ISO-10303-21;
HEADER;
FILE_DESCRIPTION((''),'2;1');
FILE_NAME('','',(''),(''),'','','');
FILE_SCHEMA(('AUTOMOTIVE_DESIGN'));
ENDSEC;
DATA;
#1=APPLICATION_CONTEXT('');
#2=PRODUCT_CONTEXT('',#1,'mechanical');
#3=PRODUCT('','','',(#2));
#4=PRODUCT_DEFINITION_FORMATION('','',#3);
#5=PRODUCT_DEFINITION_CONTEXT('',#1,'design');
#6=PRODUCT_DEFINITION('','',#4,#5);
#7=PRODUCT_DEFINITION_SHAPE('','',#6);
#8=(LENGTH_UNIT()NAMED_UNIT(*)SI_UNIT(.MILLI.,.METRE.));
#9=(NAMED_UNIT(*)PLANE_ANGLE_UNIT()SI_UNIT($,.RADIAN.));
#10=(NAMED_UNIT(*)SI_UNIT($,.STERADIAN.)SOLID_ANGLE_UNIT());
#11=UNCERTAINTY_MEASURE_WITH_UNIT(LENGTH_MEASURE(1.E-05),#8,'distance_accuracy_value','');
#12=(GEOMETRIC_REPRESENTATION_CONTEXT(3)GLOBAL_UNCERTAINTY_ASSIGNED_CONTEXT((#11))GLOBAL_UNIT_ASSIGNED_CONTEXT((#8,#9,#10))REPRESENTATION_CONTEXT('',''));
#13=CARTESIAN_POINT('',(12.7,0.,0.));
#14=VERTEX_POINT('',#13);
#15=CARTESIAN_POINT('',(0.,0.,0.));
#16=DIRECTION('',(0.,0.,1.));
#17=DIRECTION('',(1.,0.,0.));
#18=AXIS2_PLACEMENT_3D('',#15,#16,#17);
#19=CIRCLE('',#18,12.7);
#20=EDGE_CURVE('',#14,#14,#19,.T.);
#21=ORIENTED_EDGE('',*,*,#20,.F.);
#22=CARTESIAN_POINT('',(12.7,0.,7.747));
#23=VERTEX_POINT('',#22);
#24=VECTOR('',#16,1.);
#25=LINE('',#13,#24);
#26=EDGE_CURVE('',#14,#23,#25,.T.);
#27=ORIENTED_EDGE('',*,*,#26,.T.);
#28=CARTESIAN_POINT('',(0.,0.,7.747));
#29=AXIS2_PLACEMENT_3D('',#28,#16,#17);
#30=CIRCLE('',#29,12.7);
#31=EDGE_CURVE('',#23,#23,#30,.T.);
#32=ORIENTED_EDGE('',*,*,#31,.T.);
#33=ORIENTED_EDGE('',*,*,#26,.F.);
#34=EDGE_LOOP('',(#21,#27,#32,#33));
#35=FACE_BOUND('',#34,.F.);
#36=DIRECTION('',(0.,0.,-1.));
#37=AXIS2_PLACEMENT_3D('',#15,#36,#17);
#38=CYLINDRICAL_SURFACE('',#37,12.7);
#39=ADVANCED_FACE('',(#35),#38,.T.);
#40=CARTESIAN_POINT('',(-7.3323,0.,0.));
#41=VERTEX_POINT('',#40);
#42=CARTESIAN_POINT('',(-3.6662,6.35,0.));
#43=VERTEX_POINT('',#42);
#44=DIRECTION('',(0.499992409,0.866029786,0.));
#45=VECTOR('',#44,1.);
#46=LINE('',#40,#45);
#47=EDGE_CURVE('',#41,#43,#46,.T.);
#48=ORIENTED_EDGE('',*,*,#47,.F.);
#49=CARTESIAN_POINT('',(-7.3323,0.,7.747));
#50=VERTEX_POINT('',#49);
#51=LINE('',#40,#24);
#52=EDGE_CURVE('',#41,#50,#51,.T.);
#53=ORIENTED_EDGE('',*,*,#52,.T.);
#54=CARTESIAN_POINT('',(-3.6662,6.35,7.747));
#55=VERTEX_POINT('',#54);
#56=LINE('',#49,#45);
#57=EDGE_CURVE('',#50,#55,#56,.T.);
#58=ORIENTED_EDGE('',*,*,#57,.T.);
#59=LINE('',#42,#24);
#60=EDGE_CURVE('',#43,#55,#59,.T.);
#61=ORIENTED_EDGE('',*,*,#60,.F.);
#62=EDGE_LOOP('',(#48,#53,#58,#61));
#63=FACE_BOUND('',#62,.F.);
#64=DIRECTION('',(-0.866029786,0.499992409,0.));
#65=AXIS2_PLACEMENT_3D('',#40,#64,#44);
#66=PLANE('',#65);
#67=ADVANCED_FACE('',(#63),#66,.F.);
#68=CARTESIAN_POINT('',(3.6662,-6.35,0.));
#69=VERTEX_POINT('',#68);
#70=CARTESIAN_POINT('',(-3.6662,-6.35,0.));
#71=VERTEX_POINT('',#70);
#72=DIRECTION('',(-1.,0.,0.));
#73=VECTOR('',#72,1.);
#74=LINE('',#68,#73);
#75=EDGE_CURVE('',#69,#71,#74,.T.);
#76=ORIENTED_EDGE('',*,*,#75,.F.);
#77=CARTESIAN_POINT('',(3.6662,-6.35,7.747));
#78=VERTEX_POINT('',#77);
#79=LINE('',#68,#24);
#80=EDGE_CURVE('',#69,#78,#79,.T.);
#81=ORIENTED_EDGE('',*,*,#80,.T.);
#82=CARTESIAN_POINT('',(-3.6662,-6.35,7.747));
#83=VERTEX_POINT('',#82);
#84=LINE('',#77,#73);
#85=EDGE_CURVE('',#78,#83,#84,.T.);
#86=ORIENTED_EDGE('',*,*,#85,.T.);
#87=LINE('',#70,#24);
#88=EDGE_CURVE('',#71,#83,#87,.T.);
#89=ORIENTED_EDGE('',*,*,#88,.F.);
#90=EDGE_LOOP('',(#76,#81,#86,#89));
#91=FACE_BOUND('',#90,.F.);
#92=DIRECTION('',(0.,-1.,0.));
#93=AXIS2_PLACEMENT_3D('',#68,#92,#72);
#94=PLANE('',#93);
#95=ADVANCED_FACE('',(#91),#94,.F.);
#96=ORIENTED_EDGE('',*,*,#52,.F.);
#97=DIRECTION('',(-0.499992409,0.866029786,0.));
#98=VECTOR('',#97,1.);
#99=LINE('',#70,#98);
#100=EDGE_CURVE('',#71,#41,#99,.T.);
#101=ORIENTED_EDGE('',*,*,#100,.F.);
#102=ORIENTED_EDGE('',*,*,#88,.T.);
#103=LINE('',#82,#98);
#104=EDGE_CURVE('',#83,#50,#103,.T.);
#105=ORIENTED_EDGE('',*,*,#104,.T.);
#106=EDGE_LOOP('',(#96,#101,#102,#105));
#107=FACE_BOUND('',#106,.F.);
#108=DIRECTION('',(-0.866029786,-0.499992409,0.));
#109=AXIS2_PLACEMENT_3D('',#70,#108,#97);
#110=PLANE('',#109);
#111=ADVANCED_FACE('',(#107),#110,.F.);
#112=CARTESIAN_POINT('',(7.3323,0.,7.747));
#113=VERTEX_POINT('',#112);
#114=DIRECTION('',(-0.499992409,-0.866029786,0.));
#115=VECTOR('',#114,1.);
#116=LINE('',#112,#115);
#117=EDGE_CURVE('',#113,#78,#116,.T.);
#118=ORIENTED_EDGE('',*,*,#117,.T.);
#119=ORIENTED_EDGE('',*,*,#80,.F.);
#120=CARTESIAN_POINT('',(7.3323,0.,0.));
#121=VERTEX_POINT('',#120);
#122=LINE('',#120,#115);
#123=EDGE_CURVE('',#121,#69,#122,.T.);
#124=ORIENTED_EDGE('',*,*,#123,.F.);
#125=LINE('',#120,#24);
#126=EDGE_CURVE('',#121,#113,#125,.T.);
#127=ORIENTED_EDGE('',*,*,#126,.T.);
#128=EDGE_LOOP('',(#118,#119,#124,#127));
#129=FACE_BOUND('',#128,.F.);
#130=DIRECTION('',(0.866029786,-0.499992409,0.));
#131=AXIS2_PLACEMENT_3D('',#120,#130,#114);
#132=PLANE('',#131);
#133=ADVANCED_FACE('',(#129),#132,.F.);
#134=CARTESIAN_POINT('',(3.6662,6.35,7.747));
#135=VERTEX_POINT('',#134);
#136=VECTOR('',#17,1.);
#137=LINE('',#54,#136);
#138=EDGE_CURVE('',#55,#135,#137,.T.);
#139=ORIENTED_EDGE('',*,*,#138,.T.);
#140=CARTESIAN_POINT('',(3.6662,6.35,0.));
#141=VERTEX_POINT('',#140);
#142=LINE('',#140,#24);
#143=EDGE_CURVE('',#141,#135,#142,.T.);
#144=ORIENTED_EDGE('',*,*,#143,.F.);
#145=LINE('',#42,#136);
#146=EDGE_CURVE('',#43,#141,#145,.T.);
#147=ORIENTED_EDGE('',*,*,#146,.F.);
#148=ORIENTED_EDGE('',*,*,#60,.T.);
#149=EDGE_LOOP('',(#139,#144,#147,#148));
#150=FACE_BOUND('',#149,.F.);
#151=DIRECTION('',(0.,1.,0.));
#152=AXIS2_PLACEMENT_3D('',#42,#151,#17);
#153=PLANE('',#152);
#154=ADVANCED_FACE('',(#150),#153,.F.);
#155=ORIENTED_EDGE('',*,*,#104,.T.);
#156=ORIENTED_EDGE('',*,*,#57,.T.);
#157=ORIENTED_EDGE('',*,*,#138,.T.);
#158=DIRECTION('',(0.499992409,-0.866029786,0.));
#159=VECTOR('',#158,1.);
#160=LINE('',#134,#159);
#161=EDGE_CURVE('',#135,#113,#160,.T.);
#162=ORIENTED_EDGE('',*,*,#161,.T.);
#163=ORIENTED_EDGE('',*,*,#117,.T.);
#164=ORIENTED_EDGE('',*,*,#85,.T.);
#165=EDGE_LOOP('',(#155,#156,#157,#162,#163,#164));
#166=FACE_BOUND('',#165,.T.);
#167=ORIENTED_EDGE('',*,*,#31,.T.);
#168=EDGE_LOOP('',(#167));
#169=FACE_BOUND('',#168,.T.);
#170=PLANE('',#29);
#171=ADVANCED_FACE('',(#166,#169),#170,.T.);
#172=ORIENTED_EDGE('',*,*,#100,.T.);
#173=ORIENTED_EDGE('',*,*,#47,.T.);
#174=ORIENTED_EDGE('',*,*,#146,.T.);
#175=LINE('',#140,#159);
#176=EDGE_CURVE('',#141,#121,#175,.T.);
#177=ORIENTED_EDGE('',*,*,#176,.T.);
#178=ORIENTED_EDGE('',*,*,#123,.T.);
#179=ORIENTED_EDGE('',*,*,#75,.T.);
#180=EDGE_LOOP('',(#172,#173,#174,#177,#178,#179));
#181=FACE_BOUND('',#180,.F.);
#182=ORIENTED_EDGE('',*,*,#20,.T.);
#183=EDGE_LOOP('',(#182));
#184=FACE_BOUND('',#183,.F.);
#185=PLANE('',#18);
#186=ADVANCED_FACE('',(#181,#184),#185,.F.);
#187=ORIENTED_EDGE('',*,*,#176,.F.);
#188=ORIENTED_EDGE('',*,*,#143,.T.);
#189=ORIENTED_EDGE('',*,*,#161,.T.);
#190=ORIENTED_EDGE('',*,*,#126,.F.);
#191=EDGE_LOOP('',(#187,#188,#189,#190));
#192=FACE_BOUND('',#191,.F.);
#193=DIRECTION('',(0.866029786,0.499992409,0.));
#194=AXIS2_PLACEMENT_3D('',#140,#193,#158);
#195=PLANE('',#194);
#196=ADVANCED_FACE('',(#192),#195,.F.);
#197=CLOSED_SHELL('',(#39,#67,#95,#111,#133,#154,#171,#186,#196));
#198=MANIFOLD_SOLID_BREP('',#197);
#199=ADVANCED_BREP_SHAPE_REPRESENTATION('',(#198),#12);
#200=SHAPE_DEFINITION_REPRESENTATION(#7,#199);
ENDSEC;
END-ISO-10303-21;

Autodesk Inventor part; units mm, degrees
ref_plane "YZ Plane" through (0, 0, 0) normal (1, 0, 0) x (0, 1, 0)
ref_plane "XZ Plane" through (0, 0, 0) normal (0, 1, 0) x (-1, 0, 0)
ref_plane "XY Plane" through (0, 0, 0) normal (0, 0, 1) x (1, 0, 0)
sketch "Sketch1" plane through (0, 0, 0) normal (0, 0, 1) x (1, 0, 0)
  circle A0 centre (0, 0) radius 12.7
  line L0 (3.6662, 6.35) -> (7.3323, 0)
  line L1 (7.3323, 0) -> (3.6662, -6.35)
  line L2 (3.6662, -6.35) -> (-3.6662, -6.35)
  line L3 (-3.6662, -6.35) -> (-7.3323, 0)
  line L4 (-7.3323, 0) -> (-3.6662, 6.35)
  line L5 (-3.6662, 6.35) -> (3.6662, 6.35)
  line L6 (0, 0) -> (1.0545, 0)
  dimension "d0" = 25.4
  dimension "d1" = 12.7
extrude "Extrusion1" add sketch "Sketch1" along normal blind 7.747
properties part number "RobotArm Washer2"
